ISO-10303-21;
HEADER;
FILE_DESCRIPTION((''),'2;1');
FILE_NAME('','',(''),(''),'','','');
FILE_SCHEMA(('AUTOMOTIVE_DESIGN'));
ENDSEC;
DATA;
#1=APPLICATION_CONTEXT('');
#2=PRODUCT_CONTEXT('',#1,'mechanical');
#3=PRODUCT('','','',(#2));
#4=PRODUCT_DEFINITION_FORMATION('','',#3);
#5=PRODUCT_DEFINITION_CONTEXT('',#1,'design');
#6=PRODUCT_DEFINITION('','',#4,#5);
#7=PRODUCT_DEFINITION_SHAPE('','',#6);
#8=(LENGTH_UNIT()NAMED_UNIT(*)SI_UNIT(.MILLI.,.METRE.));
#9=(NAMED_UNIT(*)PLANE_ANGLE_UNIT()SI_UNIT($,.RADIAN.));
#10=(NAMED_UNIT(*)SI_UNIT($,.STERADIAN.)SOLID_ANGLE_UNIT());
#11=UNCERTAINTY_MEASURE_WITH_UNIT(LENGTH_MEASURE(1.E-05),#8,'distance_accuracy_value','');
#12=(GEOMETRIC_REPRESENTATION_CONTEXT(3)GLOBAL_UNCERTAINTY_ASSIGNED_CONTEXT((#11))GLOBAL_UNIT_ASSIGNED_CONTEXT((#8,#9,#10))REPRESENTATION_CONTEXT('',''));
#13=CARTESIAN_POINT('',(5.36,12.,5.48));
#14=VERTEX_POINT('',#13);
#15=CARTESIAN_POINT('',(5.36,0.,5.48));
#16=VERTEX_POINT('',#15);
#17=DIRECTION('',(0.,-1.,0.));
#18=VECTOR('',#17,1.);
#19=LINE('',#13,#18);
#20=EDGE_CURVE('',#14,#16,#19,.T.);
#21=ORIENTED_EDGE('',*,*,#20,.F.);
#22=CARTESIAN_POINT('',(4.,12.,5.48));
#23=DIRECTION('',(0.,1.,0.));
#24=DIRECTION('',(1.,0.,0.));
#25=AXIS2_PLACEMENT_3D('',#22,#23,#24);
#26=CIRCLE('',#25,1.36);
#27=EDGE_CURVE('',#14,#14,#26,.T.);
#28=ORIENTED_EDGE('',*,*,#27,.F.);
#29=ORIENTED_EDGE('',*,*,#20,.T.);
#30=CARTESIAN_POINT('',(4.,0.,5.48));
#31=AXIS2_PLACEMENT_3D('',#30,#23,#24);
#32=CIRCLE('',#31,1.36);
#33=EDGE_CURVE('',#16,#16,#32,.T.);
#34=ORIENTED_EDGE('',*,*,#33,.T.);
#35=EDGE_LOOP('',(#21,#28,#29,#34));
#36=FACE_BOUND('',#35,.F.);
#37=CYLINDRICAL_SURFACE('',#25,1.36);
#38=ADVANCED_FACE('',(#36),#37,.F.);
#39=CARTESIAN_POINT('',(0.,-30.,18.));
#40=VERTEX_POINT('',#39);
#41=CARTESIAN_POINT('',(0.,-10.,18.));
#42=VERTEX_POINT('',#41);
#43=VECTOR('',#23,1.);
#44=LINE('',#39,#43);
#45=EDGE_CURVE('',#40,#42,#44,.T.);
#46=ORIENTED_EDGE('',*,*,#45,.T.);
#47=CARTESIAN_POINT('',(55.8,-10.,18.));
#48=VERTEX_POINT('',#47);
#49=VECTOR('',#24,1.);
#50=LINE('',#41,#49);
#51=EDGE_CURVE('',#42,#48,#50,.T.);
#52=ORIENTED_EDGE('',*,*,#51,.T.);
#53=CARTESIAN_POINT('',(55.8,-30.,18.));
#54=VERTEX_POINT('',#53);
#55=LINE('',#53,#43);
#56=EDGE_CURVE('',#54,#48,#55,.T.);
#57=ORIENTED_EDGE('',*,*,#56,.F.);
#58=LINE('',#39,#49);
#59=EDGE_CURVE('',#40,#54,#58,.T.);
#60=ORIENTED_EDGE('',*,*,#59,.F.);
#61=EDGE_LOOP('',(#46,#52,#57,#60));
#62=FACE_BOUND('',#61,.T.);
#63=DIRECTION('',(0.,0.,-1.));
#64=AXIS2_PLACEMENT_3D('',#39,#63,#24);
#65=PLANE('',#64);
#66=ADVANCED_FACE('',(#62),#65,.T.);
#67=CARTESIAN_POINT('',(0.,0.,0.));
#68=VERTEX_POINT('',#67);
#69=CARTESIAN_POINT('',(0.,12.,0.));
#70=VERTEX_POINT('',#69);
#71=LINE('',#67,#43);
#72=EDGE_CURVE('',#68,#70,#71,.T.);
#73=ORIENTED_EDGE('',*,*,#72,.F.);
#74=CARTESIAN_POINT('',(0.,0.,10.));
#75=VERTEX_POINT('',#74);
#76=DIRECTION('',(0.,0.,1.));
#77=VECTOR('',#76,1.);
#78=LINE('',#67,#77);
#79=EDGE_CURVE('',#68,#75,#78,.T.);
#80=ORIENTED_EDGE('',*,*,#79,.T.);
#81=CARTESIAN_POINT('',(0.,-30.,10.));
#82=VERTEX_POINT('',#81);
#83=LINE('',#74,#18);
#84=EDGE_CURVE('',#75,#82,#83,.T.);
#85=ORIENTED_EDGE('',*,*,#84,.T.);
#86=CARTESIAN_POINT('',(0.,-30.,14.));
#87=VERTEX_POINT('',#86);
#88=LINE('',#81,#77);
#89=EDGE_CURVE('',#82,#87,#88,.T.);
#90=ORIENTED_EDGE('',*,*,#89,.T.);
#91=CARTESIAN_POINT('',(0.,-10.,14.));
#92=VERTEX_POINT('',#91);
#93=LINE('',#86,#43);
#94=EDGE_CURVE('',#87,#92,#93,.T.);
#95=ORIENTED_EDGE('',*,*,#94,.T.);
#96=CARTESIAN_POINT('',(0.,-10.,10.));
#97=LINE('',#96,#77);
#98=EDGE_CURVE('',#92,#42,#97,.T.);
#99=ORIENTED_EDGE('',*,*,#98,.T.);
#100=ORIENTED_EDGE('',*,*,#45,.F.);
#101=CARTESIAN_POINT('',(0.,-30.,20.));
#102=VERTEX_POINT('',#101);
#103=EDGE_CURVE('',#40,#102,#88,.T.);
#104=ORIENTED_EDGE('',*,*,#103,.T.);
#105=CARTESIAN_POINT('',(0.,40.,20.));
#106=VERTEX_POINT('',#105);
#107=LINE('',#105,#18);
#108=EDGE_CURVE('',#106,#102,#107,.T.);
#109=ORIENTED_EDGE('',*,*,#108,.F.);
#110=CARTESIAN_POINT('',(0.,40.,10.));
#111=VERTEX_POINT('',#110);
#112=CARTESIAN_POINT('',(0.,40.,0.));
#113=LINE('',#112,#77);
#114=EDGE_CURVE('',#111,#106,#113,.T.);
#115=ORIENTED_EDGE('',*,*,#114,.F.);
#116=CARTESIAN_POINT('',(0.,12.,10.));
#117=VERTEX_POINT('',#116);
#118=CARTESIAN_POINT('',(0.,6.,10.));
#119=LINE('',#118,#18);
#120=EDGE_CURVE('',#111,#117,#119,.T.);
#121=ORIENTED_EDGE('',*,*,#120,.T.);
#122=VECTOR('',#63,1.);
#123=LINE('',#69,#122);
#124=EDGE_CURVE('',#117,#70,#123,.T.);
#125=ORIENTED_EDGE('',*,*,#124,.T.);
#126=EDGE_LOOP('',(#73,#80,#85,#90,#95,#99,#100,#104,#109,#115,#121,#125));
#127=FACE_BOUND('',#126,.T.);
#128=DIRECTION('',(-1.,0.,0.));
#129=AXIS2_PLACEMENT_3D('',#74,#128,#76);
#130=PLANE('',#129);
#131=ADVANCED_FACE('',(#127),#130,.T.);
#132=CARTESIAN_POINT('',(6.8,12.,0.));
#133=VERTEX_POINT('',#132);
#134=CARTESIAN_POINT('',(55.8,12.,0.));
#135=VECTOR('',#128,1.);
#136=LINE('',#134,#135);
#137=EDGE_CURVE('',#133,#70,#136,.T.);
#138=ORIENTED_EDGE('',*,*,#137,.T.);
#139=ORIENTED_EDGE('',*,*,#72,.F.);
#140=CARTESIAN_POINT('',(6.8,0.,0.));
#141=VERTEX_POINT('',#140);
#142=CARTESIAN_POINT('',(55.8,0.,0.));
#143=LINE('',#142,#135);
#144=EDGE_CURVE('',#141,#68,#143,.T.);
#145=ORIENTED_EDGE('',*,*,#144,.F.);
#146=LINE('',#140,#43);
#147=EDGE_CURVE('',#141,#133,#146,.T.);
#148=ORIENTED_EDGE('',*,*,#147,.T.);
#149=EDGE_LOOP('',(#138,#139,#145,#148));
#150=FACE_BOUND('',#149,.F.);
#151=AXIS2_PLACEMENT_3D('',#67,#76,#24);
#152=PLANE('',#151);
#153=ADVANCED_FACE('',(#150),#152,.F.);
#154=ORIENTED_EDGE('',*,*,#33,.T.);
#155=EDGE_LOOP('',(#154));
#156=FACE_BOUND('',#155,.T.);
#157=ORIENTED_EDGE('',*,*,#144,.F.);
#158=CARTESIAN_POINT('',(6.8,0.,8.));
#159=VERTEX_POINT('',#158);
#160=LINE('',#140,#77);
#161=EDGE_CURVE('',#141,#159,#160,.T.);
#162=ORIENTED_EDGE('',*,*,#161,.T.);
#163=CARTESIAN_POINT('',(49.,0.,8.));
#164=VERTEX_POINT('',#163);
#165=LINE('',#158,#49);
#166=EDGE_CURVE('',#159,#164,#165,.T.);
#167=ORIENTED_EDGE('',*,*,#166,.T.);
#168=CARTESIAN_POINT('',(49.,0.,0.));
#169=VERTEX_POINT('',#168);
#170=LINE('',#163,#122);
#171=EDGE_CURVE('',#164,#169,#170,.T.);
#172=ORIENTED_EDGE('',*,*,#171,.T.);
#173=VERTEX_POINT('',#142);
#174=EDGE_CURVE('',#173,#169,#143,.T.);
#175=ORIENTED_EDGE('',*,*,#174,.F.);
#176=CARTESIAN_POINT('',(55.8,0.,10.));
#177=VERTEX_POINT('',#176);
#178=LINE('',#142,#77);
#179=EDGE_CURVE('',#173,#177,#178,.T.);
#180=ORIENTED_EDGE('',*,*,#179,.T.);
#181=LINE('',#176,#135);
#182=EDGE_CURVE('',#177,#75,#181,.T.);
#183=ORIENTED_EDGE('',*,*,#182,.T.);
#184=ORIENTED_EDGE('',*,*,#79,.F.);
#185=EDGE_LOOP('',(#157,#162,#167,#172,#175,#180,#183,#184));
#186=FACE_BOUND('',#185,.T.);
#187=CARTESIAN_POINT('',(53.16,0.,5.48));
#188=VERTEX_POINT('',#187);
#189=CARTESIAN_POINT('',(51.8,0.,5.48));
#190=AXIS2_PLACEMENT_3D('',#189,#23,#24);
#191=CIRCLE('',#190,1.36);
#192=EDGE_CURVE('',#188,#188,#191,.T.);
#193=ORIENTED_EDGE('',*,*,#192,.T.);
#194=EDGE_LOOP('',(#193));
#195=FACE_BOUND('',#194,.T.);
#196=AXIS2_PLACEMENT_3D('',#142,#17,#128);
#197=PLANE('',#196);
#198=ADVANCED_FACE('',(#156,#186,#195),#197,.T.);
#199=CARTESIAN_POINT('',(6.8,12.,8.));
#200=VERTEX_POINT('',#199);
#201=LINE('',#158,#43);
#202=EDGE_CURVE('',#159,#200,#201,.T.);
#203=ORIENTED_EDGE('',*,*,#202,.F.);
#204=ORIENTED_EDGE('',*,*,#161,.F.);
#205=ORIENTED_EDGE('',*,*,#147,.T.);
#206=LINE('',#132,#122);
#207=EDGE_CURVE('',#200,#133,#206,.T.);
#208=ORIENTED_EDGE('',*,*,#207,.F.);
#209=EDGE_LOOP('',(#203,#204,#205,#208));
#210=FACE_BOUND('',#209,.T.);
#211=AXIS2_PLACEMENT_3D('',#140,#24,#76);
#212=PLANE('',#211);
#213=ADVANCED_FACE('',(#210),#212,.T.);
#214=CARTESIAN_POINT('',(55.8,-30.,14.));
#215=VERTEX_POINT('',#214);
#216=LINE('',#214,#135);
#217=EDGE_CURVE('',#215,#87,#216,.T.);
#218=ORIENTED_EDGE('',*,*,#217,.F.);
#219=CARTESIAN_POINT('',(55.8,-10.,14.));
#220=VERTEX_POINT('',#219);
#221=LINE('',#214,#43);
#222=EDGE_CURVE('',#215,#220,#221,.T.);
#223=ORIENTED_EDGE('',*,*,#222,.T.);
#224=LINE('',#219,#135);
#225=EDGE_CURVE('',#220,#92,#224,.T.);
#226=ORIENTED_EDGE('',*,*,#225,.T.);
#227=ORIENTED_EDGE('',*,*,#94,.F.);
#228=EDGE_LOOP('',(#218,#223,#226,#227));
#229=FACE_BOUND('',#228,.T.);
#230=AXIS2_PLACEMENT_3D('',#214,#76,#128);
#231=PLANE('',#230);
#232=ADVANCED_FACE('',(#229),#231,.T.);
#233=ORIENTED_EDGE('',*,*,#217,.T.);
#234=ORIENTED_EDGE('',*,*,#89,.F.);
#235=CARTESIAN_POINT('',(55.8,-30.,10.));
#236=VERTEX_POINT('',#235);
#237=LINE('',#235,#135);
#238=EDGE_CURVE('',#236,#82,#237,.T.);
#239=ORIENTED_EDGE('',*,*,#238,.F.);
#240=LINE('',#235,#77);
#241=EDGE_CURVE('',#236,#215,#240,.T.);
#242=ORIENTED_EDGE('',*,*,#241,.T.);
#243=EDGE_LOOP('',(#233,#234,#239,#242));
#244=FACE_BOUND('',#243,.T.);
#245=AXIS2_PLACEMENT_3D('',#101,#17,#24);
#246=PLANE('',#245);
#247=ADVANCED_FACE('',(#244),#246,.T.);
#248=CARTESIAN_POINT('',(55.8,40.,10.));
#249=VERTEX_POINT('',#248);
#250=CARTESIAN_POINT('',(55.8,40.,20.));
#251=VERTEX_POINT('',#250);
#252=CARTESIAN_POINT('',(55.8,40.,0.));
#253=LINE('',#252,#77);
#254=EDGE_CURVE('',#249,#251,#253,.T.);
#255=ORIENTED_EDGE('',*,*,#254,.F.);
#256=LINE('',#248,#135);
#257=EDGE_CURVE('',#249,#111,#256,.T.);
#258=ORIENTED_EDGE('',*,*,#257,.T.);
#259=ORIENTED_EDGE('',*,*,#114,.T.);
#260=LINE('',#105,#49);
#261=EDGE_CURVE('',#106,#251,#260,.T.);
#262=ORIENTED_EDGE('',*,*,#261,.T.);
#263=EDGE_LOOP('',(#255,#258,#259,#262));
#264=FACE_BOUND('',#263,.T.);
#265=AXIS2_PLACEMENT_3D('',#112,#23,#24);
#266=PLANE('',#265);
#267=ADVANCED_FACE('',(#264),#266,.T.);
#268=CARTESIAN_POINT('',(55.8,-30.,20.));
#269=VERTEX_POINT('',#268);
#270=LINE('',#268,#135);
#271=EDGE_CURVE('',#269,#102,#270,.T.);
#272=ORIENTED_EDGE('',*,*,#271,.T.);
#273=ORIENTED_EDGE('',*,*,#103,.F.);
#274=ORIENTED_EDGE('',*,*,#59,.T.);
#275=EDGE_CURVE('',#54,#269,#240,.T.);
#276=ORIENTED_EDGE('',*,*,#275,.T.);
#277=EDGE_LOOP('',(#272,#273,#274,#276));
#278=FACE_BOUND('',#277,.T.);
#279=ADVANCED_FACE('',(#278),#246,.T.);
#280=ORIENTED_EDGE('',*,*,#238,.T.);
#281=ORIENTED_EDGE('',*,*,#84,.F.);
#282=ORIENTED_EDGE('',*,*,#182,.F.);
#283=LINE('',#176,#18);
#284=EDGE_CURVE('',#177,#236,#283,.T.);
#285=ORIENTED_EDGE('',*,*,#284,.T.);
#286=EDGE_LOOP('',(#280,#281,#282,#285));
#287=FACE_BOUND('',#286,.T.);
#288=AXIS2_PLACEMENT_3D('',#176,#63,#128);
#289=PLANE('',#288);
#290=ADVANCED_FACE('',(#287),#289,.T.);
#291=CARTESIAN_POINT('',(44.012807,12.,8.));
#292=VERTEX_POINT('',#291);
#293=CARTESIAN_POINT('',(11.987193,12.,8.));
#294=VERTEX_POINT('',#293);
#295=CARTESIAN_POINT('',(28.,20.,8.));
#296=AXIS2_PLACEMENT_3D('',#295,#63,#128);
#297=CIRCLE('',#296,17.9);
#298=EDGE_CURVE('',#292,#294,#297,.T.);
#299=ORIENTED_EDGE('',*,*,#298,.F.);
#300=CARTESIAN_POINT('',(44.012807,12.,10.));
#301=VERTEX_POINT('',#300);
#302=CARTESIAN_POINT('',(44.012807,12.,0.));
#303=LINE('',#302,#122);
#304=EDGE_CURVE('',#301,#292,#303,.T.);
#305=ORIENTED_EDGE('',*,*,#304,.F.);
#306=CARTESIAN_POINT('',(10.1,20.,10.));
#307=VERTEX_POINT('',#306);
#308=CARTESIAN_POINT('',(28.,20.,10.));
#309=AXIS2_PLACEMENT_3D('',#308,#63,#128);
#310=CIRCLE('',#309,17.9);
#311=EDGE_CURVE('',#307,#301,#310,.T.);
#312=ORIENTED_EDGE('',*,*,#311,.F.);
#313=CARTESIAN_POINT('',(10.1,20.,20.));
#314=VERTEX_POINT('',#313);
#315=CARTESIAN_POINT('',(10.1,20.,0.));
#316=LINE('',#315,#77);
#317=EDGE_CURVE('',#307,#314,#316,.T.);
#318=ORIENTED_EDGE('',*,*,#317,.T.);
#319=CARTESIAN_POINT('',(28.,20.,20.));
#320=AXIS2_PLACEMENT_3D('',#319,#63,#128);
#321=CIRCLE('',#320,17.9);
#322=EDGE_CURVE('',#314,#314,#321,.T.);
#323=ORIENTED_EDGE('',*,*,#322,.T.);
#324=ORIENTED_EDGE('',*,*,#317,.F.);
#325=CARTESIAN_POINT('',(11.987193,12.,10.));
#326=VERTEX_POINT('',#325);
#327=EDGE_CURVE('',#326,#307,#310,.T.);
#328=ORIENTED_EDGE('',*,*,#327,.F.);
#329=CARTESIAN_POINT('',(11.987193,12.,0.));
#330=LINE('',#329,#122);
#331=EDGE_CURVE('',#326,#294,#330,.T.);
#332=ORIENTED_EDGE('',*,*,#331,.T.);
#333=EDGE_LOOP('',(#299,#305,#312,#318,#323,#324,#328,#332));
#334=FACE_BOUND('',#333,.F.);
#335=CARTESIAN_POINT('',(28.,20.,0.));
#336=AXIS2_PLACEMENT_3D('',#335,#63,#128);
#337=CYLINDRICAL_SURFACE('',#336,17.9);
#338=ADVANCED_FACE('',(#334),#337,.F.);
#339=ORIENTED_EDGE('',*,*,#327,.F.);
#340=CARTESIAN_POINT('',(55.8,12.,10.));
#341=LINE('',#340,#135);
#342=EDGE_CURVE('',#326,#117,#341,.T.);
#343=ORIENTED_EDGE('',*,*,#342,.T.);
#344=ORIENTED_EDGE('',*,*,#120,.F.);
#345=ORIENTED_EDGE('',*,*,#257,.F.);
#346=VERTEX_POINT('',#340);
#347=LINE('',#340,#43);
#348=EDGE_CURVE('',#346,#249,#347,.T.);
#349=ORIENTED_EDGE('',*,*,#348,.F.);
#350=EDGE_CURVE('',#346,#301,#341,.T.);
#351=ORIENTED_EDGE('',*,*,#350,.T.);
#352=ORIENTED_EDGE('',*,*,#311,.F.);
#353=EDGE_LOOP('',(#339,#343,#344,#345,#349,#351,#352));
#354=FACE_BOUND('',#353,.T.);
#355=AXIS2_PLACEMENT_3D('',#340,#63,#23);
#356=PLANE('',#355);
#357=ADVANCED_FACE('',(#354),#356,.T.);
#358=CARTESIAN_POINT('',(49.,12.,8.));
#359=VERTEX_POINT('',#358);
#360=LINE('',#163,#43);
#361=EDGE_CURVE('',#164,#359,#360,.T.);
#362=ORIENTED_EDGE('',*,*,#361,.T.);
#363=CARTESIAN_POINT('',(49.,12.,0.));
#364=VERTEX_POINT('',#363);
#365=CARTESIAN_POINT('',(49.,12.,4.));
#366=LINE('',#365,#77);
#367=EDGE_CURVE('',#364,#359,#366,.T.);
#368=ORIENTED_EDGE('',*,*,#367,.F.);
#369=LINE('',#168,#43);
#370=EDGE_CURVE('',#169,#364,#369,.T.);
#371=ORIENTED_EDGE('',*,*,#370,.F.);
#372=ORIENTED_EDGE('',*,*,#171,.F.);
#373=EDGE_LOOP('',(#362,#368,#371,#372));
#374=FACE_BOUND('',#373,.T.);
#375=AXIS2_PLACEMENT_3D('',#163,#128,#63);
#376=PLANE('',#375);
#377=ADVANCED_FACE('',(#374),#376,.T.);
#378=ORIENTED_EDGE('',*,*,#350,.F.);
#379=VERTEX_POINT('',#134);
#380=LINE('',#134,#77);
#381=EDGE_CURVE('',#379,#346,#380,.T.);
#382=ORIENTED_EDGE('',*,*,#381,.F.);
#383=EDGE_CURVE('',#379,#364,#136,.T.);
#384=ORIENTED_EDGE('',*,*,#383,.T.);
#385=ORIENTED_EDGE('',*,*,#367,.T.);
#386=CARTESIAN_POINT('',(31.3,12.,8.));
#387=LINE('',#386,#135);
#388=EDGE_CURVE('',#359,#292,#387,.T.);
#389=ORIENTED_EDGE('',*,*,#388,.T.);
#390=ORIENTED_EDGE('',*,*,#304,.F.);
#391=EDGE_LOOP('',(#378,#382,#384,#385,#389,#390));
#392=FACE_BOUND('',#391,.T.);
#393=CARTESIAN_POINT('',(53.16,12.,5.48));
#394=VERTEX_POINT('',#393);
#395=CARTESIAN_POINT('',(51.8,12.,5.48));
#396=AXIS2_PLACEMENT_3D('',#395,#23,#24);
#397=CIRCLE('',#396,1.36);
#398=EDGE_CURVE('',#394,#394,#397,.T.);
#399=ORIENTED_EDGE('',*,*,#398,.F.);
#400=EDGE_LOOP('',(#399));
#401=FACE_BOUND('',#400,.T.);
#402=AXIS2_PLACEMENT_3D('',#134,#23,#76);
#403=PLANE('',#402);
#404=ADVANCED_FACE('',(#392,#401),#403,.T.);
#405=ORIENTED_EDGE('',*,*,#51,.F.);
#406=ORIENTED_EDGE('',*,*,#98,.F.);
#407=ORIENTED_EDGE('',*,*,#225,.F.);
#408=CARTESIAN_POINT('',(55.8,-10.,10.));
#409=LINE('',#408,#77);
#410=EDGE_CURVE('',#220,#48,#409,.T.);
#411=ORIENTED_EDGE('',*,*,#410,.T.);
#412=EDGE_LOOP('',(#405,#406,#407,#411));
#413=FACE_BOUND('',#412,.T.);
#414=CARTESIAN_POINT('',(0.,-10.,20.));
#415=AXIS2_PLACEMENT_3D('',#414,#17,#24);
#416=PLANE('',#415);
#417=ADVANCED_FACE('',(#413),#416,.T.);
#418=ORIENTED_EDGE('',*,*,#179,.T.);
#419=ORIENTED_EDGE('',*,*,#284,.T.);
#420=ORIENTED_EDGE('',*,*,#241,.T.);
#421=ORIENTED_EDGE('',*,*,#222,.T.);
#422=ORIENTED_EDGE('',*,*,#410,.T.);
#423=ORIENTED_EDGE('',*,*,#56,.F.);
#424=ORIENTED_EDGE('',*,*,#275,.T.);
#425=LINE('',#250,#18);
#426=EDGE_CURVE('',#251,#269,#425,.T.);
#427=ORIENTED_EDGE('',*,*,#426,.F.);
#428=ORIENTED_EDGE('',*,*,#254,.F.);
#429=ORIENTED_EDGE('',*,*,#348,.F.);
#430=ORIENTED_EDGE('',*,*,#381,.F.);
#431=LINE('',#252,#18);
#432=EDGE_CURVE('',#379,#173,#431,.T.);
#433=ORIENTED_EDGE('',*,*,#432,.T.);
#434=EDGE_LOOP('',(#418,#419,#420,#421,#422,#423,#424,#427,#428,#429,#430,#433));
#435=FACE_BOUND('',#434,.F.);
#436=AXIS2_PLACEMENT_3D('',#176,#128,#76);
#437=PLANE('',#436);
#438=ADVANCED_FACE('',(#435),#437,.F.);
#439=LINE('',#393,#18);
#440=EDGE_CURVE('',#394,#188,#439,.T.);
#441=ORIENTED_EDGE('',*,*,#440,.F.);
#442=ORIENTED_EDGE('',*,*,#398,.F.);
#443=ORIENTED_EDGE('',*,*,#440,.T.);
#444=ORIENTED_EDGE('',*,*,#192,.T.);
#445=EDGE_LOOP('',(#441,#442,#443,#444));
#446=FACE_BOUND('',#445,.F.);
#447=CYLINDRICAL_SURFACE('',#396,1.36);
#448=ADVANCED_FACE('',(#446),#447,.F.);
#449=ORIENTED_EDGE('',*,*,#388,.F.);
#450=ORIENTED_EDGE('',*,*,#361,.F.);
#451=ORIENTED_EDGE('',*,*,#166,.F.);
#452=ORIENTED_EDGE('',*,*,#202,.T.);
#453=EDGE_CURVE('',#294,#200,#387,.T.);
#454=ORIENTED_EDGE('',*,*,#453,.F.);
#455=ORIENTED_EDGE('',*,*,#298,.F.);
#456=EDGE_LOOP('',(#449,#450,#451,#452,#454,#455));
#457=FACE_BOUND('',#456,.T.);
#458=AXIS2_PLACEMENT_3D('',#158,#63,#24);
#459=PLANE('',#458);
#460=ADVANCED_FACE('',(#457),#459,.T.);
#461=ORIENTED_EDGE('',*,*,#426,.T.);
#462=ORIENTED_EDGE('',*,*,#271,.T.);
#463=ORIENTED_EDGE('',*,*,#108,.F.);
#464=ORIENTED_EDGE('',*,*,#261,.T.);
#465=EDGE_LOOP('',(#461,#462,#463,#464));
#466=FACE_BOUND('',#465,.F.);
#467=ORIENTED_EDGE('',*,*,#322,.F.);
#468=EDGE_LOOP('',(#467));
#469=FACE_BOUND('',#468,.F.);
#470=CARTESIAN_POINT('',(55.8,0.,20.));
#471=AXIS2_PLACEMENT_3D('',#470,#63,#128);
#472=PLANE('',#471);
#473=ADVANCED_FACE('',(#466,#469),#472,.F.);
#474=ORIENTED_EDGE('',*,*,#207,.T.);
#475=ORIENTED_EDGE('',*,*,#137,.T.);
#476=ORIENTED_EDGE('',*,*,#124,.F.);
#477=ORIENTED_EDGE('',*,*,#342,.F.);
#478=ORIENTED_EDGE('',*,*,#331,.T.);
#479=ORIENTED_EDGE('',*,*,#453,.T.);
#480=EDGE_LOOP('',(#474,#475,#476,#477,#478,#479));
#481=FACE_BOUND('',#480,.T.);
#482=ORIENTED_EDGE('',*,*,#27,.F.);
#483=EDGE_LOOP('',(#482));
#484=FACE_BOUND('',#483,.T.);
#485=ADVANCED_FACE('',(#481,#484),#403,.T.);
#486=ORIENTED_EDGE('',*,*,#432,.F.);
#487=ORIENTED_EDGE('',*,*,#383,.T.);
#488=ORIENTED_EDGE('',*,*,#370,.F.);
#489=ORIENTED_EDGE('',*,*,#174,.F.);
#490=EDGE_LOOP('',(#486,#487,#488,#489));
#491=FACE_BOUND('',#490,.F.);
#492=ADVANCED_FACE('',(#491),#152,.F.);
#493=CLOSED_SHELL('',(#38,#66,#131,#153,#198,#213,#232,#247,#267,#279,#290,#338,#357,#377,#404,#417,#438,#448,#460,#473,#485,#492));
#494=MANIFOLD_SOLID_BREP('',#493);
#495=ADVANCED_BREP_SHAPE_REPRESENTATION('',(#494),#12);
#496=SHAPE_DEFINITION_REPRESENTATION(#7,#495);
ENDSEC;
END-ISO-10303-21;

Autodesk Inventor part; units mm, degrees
ref_plane "YZ Plane" through (0, 0, 0) normal (1, 0, 0) x (0, 1, 0)
ref_plane "XZ Plane" through (0, 0, 0) normal (0, 1, 0) x (-1, 0, 0)
ref_plane "XY Plane" through (0, 0, 0) normal (0, 0, 1) x (1, 0, 0)
sketch "Sketch1" plane through (0, 0, 0) normal (0, 0, 1) x (1, 0, 0)
  line L0 (0, 40) -> (55.8, 40)
  line L1 (55.8, 40) -> (55.8, 0)
  line L2 (55.8, 0) -> (0, 0)
  line L3 (0, 0) -> (0, 40)
  dimension "d0" = 55.8
  dimension "d1" = 40
extrude "Extrusion1" add sketch "Sketch1" along normal blind 20
sketch "Sketch2" plane through (55.8, 0, 0) normal (1, 0, 0) x (0, 0, -1)
  line L0 (0, 40) -> (-20, 40) projected
  line L1 (0, 0) -> (0, 40) projected
  line L2 (-10, 40) -> (0, 40)
  line L3 (0, 40) -> (0, 12)
  line L4 (0, 12) -> (-10, 12)
  line L5 (-10, 12) -> (-10, 40)
  dimension "d4" = 10
extrude "Extrusion2" cut sketch "Sketch2" against normal blind 60
sketch "Sketch3" plane through (55.8, 12, 10) normal (0, 1, 0) x (1, 0, 0)
  circle A0 centre (-51.8, 4.52) radius 1.36
  circle A1 centre (-4, 4.52) radius 1.36
  line L0 (-55.8, 10) -> (0, 10) projected
  line L1 (-55.8, 0) -> (-55.8, 10) projected
  line L2 (0, 10) -> (0, 0) projected
  point P0 (-55.8, 5)
  point P1 (0, 5)
  dimension "d32" = 4
  dimension "d33" = 4
extrude "Extrusion3" cut sketch "Sketch3" against normal blind 20
sketch "Sketch4" plane through (0, 0, 20) normal (0, 0, 1) x (1, 0, 0)
  point P0 (0, 0)
sketch "Sketch6" plane through (0, 0, 0) normal (0, 0, -1) x (-1, 0, 0)
  circle A0 centre (-28, 20) radius 17.9
  point P0 (0, 0)
  dimension "d18" = 35.8
extrude "Extrusion4" cut sketch "Sketch6" along normal mid plane 60
sketch "Sketch8" plane through (0, 0, 0) normal (0, -1, 0) x (1, 0, 0)
  line L0 (49, 0) -> (6.8, 0)
  line L1 (6.8, 0) -> (6.8, 8)
  line L2 (6.8, 8) -> (49, 8)
  line L3 (49, 8) -> (49, 0)
  line L4 (55.8, 0) -> (55.8, 20) projected
  line L5 (0, 0) -> (0, 20) projected
  point P0 (6.8, 4)
  dimension "d27" = 6.8
  dimension "d28" = 6.8
extrude "Extrusion6" cut sketch "Sketch8" against normal blind 13
sketch "Sketch9" plane through (0, 0, 20) normal (0, -1, 0) x (1, 0, 0)
  line L0 (55.8, 0) -> (0, 0) projected
  line L1 (55.8, -10) -> (55.8, 0) projected
  line L2 (0, 0) -> (55.8, 0)
  line L3 (55.8, 0) -> (55.8, -10)
  line L4 (55.8, -10) -> (0, -10)
  line L5 (0, -10) -> (0, 0)
  point P0 (0, -20)
  dimension "d34" = 10
extrude "Extrusion7" add sketch "Sketch9" along normal blind 30
sketch "Sketch10" plane through (0, -30, 20) normal (0, -1, 0) x (1, 0, 0)
  line L0 (0, -10) -> (0, 0) projected
  line L1 (55.8, -10) -> (55.8, 0) projected
  line L2 (0, -2) -> (55.8, -2)
  line L3 (55.8, -2) -> (55.8, -6)
  line L4 (55.8, -6) -> (0, -6)
  line L5 (0, -6) -> (0, -2)
  point P0 (0, -20)
  point P1 (0, -6)
extrude "Extrusion8" cut sketch "Sketch10" against normal blind 20
